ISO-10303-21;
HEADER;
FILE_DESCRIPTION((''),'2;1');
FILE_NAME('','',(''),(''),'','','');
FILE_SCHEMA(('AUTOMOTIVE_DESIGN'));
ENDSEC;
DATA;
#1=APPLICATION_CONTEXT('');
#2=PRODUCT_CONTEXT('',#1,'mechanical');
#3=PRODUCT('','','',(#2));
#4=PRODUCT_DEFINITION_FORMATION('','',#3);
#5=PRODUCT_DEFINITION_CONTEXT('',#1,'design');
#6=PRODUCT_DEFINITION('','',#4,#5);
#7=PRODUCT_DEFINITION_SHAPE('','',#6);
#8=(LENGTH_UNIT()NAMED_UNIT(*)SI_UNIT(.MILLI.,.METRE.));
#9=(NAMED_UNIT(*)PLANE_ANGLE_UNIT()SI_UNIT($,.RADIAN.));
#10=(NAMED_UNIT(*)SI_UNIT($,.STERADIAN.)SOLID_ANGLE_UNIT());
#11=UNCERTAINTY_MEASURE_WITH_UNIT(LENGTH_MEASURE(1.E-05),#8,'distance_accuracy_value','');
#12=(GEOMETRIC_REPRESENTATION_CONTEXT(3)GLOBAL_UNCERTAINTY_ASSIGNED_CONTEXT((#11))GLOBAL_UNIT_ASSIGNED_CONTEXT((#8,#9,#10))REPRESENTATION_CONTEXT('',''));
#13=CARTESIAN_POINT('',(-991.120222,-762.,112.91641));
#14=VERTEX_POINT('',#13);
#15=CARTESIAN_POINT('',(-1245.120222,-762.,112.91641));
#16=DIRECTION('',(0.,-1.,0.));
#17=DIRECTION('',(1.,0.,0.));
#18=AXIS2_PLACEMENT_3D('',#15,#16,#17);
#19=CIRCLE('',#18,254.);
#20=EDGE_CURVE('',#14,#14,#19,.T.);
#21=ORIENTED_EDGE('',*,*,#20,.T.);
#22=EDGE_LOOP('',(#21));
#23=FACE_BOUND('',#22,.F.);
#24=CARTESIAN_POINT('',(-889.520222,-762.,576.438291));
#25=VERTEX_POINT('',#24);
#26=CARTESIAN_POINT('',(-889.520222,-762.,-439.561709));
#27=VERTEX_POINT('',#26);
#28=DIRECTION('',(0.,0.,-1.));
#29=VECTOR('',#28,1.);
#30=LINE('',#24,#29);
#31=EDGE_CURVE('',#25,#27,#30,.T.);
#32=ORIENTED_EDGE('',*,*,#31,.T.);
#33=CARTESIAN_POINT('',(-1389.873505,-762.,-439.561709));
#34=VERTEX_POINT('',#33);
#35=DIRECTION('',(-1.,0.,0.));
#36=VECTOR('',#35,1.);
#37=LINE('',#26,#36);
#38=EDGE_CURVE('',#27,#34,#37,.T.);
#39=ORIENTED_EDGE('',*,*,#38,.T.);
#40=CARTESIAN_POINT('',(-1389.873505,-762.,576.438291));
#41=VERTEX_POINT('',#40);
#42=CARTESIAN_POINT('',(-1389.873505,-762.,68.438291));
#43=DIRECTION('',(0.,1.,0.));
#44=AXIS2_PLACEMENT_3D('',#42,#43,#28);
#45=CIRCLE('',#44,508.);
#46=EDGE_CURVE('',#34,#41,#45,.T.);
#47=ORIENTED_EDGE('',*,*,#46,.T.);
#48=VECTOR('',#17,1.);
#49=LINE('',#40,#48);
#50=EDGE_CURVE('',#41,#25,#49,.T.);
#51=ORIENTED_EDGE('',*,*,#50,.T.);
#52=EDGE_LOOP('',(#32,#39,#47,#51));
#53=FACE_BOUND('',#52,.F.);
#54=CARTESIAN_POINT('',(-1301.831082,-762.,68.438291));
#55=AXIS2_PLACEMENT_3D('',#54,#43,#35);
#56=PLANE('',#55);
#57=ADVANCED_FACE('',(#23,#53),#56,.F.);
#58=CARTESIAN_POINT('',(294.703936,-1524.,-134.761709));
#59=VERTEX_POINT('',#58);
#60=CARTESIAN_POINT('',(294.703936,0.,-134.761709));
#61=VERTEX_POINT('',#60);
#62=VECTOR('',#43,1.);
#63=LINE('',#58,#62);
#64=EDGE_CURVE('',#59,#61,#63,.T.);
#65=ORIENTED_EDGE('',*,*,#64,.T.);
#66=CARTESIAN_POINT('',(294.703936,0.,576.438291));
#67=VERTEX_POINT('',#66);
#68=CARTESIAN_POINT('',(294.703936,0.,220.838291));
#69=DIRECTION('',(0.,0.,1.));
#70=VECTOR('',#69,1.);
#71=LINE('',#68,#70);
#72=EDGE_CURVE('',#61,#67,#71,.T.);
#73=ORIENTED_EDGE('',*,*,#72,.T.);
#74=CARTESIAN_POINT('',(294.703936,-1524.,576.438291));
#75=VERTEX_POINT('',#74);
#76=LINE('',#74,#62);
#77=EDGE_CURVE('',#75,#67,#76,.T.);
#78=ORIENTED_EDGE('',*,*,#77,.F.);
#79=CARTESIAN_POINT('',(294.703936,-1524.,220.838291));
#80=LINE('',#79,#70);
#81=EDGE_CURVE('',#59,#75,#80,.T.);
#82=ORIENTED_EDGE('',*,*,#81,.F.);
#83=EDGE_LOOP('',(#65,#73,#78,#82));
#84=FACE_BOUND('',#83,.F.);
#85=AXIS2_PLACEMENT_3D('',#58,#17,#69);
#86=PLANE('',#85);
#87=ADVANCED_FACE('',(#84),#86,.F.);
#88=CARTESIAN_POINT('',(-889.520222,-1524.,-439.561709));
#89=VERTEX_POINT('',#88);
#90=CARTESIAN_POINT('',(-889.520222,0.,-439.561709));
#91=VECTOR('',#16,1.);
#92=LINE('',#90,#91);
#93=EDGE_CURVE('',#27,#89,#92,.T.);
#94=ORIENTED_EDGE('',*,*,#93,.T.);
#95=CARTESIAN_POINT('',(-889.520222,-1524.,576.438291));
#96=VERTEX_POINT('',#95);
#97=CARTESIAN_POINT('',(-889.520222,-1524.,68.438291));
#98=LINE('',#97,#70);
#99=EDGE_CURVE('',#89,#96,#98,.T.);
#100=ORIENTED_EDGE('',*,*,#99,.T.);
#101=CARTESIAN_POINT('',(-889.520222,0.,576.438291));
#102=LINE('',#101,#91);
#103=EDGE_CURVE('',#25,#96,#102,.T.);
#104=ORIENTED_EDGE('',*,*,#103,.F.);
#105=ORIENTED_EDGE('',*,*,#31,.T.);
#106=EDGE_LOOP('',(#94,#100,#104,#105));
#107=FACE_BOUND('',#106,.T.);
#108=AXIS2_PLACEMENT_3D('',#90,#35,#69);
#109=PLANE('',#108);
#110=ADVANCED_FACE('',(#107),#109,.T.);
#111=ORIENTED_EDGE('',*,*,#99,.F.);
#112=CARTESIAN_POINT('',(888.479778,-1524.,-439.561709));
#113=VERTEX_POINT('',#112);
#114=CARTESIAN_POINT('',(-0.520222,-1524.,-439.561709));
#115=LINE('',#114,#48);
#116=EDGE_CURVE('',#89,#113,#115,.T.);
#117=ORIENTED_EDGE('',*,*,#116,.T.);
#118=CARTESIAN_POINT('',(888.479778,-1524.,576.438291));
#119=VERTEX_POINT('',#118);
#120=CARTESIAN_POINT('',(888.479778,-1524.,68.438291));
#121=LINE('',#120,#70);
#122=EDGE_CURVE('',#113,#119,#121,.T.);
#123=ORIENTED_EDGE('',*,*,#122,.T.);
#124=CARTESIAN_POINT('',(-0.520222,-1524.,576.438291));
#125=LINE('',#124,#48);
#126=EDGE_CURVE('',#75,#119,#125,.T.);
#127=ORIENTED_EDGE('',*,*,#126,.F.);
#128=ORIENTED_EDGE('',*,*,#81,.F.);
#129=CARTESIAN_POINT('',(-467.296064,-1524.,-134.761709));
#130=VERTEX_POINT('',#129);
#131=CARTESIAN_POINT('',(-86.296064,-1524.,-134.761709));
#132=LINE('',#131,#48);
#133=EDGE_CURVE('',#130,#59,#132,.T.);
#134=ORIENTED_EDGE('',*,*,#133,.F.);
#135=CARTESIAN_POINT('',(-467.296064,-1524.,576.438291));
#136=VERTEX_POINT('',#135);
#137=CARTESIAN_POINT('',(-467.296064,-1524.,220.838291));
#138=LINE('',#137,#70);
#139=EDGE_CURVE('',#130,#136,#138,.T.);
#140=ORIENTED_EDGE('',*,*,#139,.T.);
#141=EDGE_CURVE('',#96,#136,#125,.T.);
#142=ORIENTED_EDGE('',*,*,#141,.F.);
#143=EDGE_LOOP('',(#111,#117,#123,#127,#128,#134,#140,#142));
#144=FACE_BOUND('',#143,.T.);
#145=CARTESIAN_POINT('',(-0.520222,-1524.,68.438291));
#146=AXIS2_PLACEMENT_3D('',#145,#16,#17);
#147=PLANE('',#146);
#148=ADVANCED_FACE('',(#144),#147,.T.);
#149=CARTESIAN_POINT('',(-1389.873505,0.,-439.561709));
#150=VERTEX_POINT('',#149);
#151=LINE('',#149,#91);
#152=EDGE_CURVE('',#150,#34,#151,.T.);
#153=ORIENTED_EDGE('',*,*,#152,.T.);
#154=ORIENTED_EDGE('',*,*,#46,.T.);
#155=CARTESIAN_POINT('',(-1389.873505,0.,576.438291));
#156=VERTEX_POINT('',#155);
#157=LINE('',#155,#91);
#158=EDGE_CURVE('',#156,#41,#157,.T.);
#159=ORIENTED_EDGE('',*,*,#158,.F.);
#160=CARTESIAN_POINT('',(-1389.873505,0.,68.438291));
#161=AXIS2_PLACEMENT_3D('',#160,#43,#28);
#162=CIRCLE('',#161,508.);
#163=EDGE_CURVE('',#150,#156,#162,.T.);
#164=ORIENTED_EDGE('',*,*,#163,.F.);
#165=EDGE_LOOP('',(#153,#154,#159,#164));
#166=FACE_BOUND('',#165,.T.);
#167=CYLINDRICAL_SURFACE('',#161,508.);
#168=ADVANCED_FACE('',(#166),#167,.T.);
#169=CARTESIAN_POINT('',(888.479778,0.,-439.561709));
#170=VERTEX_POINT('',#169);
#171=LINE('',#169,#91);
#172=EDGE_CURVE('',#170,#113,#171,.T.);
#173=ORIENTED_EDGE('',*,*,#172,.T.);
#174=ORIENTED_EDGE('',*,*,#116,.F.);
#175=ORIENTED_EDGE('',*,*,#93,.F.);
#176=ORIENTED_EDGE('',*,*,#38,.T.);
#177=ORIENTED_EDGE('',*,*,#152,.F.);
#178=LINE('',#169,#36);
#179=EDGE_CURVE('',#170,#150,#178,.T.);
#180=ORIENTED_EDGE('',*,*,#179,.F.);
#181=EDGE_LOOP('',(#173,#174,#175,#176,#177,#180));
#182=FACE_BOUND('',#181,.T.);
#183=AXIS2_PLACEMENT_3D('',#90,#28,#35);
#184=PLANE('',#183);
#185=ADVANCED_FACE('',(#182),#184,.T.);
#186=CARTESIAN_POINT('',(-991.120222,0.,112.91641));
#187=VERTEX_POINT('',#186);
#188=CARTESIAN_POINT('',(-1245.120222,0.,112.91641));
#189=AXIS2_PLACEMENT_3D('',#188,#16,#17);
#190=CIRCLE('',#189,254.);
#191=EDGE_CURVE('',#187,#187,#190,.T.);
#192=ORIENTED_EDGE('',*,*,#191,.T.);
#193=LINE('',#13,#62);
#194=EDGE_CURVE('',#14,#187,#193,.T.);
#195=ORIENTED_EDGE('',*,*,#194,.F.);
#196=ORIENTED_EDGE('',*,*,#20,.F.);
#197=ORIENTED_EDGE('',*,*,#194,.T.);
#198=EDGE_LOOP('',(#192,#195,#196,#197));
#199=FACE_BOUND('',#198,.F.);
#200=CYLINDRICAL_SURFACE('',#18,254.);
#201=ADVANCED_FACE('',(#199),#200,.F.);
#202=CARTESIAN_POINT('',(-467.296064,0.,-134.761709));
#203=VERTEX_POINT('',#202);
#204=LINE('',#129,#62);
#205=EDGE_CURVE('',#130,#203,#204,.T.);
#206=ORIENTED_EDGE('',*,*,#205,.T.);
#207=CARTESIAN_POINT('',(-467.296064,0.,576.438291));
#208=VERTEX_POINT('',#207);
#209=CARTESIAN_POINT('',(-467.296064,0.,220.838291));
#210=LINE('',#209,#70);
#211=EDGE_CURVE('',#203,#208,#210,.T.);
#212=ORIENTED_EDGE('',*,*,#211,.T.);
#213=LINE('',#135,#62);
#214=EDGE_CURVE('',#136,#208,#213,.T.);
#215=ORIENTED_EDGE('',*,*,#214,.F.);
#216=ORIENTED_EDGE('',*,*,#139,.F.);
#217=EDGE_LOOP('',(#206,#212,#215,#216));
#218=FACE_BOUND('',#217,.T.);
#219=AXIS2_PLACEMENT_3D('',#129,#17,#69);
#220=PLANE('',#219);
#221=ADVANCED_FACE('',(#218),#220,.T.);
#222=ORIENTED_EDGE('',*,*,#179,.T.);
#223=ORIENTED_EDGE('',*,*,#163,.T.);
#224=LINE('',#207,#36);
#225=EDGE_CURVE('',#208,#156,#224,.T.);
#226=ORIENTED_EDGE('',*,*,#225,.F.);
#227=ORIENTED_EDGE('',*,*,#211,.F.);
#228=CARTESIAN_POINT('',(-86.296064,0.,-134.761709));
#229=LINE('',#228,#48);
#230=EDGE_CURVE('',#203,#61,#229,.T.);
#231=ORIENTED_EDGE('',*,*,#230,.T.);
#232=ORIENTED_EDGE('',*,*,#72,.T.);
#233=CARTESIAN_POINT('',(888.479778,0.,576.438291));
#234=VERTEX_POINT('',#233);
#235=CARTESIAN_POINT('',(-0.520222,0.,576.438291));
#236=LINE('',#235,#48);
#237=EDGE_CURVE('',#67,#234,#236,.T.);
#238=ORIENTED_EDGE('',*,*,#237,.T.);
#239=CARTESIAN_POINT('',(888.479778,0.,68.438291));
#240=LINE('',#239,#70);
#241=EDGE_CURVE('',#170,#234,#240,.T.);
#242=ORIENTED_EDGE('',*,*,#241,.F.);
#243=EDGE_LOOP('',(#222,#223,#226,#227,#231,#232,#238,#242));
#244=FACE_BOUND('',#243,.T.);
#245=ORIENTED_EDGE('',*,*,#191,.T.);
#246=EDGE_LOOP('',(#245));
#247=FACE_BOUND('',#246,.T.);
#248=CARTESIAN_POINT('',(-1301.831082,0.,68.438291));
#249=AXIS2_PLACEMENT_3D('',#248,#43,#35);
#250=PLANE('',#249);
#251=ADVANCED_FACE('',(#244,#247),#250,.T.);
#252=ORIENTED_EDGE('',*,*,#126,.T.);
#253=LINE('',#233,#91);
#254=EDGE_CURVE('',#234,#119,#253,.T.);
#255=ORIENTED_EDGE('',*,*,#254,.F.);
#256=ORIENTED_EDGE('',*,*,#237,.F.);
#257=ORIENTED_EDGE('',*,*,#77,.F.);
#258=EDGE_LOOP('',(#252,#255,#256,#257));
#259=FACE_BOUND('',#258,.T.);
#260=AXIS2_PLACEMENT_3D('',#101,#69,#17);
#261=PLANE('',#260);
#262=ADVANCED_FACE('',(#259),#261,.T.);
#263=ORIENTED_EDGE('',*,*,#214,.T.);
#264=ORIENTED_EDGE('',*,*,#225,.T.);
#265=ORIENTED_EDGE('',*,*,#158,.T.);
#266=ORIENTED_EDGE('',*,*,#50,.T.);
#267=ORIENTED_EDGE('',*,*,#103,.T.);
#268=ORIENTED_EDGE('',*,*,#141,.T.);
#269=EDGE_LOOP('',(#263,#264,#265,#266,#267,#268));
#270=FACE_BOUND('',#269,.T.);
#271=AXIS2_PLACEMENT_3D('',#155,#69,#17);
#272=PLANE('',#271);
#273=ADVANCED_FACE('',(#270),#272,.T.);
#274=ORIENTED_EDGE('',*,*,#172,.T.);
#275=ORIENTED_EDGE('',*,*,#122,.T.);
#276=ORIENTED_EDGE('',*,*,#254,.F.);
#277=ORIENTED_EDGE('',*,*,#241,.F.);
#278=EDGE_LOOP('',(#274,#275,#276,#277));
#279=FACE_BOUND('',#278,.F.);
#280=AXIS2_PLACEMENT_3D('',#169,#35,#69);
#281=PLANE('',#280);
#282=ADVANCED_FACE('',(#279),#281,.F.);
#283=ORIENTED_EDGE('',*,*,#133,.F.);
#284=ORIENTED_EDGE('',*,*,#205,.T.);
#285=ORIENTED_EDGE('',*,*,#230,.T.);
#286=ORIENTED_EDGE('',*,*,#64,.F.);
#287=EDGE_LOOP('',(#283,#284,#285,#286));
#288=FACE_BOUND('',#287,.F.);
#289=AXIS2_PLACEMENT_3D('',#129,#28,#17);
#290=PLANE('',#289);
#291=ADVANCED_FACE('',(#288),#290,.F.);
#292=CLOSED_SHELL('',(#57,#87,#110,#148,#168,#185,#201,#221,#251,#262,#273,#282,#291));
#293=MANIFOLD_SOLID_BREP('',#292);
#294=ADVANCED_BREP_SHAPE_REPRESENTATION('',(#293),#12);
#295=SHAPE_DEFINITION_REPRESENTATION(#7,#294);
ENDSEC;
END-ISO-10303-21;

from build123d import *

# Parameters (mm, degrees)
F0_W     = 1778
F0_H     = 1016
F1_DEPTH = 1524
F2_W     = 762
F2_H     = 711.2
F3_DEPTH = 1524
F5_DEPTH = 762
F6_R     = 254
F7_DEPTH = 762


with BuildPart() as f1:
    # F0 (on Front) → F1 (new body)
    with BuildSketch(Plane.XZ):
        with Locations((-0.520221889, 68.4382907511)):
            Rectangle(F0_W, F0_H)
    extrude(amount=F1_DEPTH)

    # F2 (on face) → F3 (cut)
    with BuildSketch(Plane.XZ.offset(1524)):
        with Locations((-86.2960639, 220.8382907511)):
            Rectangle(F2_W, F2_H)
    extrude(amount=-F3_DEPTH, mode=Mode.SUBTRACT)

    # F4 (on face) → F5 (join)
    with BuildSketch(Plane(origin=(0, 0, 0), x_dir=(-1, 0, 0), z_dir=(0, 1, 0))):
        with BuildLine():
            Line((1389.8735046387, 576.4382907511), (889.520221889, 576.4382907511))
            Line((889.520221889, 576.4382907511), (889.520221889, -439.5617092489))
            Line((889.520221889, -439.5617092489), (1389.8735046387, -439.5617092489))
            ThreePointArc((1389.8735046387, -439.5617092489), (1897.8735046387, 68.4382907511), (1389.8735046387, 576.4382907511))
        make_face()
    extrude(amount=-F5_DEPTH)

    # F6 (on face) → F7 (cut)
    with BuildSketch(Plane.XZ.offset(762)):
        with Locations((-1245.120221889, 112.9164099693)):
            Circle(F6_R)
    extrude(amount=-F7_DEPTH, mode=Mode.SUBTRACT)


solid = f1.part
